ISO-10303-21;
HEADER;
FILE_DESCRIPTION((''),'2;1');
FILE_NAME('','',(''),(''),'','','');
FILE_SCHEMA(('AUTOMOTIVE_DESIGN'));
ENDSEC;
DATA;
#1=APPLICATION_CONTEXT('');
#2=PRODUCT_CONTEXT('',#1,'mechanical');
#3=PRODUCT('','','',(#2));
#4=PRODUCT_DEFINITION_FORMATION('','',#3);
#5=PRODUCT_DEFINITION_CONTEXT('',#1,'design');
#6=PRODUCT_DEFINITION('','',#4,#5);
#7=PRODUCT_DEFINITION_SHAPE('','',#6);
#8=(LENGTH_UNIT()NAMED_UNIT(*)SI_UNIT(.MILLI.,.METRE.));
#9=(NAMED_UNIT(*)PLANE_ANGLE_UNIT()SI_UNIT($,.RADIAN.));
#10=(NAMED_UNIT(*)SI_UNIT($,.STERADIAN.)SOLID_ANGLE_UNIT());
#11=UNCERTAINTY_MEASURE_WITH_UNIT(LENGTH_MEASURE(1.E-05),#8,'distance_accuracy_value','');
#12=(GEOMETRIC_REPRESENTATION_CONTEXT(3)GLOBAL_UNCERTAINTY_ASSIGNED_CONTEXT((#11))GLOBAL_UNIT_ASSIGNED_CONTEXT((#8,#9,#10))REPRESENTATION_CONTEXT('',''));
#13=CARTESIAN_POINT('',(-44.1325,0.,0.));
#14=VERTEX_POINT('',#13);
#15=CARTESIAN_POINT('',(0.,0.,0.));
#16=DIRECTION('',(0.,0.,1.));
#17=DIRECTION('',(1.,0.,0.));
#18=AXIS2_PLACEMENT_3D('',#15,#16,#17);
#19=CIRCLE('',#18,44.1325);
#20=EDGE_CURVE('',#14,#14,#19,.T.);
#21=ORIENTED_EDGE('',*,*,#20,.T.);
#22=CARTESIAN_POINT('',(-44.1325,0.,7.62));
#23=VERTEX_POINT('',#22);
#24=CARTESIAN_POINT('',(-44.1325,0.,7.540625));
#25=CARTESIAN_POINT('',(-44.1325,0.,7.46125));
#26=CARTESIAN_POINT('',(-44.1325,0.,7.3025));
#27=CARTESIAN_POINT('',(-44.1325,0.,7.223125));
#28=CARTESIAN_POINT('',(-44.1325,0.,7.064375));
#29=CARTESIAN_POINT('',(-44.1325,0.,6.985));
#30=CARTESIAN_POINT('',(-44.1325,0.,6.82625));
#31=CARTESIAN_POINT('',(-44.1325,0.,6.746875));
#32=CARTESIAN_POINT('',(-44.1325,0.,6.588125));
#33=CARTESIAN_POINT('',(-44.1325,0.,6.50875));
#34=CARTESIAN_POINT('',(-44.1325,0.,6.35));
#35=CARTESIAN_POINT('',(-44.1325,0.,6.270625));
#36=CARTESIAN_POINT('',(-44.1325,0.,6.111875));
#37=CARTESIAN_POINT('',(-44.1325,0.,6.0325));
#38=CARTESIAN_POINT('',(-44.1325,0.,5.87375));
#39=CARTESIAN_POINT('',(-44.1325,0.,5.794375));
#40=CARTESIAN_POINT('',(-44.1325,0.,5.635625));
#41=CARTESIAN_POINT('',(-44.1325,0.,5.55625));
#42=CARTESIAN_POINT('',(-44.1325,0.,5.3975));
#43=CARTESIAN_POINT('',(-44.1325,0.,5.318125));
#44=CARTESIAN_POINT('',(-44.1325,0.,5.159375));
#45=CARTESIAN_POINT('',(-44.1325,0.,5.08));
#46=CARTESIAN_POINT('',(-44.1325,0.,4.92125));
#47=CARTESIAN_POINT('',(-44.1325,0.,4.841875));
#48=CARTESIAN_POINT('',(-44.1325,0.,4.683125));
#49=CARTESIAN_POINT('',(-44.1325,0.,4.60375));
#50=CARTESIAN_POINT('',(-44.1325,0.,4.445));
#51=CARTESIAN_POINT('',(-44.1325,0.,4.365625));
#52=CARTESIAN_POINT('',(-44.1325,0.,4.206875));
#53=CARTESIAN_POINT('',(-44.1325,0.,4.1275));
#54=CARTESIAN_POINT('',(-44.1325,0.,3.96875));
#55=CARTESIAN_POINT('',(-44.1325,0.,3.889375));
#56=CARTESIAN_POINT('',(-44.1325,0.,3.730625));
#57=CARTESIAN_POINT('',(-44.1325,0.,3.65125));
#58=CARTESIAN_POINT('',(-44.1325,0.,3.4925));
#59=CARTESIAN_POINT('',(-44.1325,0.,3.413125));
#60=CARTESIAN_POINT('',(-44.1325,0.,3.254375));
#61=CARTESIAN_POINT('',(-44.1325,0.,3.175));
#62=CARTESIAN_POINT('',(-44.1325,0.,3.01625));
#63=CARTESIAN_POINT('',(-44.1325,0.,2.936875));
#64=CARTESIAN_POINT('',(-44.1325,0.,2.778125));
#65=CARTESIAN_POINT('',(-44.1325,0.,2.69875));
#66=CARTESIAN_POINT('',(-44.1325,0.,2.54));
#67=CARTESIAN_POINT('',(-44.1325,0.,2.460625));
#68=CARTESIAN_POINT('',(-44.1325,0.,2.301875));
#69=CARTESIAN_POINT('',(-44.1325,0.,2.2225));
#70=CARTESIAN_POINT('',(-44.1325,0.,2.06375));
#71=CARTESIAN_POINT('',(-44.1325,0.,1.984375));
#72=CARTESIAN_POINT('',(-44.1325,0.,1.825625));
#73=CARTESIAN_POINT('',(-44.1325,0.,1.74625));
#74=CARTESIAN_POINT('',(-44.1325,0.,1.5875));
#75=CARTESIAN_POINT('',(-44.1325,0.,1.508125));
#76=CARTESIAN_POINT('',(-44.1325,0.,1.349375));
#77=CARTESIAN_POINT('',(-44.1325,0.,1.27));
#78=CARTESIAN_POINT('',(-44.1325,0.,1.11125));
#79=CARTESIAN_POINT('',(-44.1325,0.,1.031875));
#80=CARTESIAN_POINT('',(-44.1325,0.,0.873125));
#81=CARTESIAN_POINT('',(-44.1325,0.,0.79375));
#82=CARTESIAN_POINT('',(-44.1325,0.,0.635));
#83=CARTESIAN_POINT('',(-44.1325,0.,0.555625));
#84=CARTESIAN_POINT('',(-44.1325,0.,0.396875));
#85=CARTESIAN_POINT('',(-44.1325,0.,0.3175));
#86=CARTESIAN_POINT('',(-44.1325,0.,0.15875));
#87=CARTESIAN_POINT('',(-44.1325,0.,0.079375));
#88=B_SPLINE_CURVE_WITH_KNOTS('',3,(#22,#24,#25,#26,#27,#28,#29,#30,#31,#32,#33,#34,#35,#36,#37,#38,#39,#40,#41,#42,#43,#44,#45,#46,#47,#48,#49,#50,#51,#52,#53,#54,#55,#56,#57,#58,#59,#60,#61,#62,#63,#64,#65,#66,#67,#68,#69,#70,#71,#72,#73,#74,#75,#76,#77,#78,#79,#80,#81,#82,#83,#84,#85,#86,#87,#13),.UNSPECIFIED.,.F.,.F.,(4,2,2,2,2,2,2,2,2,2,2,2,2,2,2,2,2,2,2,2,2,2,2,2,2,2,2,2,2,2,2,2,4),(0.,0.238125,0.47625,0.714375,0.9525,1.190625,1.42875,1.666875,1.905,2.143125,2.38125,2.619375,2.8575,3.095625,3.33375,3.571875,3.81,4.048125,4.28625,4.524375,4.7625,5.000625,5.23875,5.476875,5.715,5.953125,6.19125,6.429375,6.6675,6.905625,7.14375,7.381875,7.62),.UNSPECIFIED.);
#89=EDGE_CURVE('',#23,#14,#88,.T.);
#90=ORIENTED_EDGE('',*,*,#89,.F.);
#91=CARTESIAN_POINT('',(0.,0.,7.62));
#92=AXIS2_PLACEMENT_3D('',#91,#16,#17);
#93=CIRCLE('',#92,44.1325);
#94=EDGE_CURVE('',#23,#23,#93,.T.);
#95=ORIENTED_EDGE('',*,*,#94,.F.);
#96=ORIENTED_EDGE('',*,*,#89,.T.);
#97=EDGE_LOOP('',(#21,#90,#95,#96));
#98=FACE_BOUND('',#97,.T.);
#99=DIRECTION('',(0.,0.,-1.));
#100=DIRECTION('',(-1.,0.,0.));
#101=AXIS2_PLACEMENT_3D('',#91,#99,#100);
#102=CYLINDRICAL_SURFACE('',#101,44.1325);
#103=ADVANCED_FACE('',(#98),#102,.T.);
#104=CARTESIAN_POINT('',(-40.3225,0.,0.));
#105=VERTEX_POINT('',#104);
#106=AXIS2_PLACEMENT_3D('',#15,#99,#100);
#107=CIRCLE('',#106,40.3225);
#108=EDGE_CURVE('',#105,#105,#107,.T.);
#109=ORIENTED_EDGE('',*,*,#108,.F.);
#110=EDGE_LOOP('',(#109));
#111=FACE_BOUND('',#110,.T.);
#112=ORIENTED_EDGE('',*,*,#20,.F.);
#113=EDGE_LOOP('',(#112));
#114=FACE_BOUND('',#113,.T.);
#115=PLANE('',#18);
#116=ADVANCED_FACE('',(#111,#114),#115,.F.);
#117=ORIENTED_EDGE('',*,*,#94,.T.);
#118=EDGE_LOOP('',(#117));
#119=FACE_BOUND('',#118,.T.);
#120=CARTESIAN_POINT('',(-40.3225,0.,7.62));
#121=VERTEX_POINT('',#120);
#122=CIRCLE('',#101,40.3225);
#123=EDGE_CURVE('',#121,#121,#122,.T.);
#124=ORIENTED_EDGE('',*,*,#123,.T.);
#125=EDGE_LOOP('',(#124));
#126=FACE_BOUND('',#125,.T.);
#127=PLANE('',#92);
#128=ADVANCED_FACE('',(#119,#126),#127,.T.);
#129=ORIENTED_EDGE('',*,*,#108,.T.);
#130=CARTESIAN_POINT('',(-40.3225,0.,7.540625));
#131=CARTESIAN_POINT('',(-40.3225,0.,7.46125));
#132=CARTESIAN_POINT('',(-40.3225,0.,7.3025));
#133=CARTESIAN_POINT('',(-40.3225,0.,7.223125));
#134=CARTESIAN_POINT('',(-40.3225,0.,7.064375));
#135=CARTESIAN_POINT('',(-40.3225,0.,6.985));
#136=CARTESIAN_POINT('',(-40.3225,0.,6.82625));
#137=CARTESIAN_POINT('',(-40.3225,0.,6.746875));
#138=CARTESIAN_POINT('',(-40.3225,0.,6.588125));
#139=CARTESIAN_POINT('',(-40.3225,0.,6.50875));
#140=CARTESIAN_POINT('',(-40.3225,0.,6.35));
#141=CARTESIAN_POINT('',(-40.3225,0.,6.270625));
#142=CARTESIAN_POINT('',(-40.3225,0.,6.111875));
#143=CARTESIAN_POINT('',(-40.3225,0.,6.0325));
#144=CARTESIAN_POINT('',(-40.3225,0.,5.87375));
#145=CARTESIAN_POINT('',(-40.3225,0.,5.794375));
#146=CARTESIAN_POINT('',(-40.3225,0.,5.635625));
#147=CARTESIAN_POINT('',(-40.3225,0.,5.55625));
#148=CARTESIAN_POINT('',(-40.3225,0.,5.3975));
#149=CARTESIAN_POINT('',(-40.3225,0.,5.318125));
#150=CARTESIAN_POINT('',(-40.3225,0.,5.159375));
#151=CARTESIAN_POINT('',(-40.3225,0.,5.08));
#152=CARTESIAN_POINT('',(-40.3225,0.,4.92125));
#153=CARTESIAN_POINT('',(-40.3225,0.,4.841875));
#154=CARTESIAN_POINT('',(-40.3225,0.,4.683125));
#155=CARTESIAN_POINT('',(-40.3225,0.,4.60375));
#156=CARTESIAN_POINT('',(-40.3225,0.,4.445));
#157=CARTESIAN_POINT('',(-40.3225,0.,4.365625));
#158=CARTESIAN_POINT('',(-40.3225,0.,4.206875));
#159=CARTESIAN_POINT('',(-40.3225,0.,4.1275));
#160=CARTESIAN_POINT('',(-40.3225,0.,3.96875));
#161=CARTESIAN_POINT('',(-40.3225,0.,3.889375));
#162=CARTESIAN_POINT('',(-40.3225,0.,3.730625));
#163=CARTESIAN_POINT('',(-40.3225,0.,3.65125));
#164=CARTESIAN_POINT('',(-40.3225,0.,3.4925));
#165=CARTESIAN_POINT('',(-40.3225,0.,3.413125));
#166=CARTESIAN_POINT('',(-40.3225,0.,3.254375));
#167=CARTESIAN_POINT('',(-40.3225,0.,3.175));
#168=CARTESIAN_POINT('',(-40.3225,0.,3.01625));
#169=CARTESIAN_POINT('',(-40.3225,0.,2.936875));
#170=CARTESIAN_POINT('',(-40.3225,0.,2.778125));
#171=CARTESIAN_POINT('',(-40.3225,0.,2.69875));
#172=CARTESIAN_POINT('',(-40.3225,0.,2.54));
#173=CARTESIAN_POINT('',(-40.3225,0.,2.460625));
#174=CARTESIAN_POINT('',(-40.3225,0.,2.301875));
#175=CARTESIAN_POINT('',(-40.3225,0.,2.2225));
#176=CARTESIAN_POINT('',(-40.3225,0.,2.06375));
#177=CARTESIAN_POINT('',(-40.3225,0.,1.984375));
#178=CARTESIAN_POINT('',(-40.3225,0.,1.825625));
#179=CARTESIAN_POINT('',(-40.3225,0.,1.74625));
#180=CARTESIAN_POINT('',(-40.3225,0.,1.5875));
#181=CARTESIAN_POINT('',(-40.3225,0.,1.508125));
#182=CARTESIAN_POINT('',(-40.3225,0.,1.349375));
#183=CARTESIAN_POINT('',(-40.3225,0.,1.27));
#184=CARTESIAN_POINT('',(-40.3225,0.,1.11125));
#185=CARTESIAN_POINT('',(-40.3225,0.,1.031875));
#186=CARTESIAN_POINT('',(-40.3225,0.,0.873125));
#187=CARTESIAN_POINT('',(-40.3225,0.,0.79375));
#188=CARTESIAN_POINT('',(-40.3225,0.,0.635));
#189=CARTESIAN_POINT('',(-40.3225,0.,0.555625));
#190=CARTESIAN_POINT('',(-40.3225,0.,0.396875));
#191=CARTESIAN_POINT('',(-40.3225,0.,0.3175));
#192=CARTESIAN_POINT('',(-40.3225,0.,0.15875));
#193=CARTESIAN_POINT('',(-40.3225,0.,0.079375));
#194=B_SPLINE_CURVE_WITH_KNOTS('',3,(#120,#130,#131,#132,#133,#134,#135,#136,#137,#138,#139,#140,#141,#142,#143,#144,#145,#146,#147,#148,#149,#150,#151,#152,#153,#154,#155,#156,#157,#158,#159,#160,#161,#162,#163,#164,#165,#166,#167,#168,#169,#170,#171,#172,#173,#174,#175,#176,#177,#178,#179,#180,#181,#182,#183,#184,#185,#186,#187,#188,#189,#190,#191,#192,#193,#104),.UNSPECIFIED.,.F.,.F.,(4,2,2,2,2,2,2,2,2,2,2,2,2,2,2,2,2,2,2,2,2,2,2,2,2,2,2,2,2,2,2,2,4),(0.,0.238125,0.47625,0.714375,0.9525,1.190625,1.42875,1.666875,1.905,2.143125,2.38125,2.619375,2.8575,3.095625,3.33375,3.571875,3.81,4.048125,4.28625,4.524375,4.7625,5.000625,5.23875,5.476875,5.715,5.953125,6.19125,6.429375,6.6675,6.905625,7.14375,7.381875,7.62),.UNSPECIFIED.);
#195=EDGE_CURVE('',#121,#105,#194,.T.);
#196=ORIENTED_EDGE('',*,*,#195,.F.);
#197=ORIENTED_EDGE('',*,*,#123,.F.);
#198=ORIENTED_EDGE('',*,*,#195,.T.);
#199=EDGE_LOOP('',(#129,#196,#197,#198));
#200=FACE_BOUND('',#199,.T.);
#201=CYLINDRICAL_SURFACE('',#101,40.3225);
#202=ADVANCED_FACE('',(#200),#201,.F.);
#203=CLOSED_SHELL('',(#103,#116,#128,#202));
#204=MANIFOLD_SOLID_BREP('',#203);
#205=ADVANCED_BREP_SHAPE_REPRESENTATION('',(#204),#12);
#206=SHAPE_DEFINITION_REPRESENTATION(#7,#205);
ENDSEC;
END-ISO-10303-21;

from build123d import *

# Parameters (mm, degrees)
SKETCH2_R           = 44.1325
BOSS_EXTRUDE2_DEPTH = 7.62
SKETCH3_R           = 40.3225
CUT_EXTRUDE1_DEPTH  = 7.62


with BuildPart() as part:
    # Sketch2 → Boss-Extrude2 (new body)
    with BuildSketch(Plane.XY):
        with Locations(Location((0, 0, 0), (0, 0, 180))):
            Circle(SKETCH2_R)
    extrude(amount=BOSS_EXTRUDE2_DEPTH)

    # Sketch3 → Cut-Extrude1 (cut)
    with BuildSketch(Plane(origin=(0, 0, 0), x_dir=(-1, 0, 0), z_dir=(0, 0, -1))):
        Circle(SKETCH3_R)
    extrude(amount=-CUT_EXTRUDE1_DEPTH, mode=Mode.SUBTRACT)


solid = part.part
